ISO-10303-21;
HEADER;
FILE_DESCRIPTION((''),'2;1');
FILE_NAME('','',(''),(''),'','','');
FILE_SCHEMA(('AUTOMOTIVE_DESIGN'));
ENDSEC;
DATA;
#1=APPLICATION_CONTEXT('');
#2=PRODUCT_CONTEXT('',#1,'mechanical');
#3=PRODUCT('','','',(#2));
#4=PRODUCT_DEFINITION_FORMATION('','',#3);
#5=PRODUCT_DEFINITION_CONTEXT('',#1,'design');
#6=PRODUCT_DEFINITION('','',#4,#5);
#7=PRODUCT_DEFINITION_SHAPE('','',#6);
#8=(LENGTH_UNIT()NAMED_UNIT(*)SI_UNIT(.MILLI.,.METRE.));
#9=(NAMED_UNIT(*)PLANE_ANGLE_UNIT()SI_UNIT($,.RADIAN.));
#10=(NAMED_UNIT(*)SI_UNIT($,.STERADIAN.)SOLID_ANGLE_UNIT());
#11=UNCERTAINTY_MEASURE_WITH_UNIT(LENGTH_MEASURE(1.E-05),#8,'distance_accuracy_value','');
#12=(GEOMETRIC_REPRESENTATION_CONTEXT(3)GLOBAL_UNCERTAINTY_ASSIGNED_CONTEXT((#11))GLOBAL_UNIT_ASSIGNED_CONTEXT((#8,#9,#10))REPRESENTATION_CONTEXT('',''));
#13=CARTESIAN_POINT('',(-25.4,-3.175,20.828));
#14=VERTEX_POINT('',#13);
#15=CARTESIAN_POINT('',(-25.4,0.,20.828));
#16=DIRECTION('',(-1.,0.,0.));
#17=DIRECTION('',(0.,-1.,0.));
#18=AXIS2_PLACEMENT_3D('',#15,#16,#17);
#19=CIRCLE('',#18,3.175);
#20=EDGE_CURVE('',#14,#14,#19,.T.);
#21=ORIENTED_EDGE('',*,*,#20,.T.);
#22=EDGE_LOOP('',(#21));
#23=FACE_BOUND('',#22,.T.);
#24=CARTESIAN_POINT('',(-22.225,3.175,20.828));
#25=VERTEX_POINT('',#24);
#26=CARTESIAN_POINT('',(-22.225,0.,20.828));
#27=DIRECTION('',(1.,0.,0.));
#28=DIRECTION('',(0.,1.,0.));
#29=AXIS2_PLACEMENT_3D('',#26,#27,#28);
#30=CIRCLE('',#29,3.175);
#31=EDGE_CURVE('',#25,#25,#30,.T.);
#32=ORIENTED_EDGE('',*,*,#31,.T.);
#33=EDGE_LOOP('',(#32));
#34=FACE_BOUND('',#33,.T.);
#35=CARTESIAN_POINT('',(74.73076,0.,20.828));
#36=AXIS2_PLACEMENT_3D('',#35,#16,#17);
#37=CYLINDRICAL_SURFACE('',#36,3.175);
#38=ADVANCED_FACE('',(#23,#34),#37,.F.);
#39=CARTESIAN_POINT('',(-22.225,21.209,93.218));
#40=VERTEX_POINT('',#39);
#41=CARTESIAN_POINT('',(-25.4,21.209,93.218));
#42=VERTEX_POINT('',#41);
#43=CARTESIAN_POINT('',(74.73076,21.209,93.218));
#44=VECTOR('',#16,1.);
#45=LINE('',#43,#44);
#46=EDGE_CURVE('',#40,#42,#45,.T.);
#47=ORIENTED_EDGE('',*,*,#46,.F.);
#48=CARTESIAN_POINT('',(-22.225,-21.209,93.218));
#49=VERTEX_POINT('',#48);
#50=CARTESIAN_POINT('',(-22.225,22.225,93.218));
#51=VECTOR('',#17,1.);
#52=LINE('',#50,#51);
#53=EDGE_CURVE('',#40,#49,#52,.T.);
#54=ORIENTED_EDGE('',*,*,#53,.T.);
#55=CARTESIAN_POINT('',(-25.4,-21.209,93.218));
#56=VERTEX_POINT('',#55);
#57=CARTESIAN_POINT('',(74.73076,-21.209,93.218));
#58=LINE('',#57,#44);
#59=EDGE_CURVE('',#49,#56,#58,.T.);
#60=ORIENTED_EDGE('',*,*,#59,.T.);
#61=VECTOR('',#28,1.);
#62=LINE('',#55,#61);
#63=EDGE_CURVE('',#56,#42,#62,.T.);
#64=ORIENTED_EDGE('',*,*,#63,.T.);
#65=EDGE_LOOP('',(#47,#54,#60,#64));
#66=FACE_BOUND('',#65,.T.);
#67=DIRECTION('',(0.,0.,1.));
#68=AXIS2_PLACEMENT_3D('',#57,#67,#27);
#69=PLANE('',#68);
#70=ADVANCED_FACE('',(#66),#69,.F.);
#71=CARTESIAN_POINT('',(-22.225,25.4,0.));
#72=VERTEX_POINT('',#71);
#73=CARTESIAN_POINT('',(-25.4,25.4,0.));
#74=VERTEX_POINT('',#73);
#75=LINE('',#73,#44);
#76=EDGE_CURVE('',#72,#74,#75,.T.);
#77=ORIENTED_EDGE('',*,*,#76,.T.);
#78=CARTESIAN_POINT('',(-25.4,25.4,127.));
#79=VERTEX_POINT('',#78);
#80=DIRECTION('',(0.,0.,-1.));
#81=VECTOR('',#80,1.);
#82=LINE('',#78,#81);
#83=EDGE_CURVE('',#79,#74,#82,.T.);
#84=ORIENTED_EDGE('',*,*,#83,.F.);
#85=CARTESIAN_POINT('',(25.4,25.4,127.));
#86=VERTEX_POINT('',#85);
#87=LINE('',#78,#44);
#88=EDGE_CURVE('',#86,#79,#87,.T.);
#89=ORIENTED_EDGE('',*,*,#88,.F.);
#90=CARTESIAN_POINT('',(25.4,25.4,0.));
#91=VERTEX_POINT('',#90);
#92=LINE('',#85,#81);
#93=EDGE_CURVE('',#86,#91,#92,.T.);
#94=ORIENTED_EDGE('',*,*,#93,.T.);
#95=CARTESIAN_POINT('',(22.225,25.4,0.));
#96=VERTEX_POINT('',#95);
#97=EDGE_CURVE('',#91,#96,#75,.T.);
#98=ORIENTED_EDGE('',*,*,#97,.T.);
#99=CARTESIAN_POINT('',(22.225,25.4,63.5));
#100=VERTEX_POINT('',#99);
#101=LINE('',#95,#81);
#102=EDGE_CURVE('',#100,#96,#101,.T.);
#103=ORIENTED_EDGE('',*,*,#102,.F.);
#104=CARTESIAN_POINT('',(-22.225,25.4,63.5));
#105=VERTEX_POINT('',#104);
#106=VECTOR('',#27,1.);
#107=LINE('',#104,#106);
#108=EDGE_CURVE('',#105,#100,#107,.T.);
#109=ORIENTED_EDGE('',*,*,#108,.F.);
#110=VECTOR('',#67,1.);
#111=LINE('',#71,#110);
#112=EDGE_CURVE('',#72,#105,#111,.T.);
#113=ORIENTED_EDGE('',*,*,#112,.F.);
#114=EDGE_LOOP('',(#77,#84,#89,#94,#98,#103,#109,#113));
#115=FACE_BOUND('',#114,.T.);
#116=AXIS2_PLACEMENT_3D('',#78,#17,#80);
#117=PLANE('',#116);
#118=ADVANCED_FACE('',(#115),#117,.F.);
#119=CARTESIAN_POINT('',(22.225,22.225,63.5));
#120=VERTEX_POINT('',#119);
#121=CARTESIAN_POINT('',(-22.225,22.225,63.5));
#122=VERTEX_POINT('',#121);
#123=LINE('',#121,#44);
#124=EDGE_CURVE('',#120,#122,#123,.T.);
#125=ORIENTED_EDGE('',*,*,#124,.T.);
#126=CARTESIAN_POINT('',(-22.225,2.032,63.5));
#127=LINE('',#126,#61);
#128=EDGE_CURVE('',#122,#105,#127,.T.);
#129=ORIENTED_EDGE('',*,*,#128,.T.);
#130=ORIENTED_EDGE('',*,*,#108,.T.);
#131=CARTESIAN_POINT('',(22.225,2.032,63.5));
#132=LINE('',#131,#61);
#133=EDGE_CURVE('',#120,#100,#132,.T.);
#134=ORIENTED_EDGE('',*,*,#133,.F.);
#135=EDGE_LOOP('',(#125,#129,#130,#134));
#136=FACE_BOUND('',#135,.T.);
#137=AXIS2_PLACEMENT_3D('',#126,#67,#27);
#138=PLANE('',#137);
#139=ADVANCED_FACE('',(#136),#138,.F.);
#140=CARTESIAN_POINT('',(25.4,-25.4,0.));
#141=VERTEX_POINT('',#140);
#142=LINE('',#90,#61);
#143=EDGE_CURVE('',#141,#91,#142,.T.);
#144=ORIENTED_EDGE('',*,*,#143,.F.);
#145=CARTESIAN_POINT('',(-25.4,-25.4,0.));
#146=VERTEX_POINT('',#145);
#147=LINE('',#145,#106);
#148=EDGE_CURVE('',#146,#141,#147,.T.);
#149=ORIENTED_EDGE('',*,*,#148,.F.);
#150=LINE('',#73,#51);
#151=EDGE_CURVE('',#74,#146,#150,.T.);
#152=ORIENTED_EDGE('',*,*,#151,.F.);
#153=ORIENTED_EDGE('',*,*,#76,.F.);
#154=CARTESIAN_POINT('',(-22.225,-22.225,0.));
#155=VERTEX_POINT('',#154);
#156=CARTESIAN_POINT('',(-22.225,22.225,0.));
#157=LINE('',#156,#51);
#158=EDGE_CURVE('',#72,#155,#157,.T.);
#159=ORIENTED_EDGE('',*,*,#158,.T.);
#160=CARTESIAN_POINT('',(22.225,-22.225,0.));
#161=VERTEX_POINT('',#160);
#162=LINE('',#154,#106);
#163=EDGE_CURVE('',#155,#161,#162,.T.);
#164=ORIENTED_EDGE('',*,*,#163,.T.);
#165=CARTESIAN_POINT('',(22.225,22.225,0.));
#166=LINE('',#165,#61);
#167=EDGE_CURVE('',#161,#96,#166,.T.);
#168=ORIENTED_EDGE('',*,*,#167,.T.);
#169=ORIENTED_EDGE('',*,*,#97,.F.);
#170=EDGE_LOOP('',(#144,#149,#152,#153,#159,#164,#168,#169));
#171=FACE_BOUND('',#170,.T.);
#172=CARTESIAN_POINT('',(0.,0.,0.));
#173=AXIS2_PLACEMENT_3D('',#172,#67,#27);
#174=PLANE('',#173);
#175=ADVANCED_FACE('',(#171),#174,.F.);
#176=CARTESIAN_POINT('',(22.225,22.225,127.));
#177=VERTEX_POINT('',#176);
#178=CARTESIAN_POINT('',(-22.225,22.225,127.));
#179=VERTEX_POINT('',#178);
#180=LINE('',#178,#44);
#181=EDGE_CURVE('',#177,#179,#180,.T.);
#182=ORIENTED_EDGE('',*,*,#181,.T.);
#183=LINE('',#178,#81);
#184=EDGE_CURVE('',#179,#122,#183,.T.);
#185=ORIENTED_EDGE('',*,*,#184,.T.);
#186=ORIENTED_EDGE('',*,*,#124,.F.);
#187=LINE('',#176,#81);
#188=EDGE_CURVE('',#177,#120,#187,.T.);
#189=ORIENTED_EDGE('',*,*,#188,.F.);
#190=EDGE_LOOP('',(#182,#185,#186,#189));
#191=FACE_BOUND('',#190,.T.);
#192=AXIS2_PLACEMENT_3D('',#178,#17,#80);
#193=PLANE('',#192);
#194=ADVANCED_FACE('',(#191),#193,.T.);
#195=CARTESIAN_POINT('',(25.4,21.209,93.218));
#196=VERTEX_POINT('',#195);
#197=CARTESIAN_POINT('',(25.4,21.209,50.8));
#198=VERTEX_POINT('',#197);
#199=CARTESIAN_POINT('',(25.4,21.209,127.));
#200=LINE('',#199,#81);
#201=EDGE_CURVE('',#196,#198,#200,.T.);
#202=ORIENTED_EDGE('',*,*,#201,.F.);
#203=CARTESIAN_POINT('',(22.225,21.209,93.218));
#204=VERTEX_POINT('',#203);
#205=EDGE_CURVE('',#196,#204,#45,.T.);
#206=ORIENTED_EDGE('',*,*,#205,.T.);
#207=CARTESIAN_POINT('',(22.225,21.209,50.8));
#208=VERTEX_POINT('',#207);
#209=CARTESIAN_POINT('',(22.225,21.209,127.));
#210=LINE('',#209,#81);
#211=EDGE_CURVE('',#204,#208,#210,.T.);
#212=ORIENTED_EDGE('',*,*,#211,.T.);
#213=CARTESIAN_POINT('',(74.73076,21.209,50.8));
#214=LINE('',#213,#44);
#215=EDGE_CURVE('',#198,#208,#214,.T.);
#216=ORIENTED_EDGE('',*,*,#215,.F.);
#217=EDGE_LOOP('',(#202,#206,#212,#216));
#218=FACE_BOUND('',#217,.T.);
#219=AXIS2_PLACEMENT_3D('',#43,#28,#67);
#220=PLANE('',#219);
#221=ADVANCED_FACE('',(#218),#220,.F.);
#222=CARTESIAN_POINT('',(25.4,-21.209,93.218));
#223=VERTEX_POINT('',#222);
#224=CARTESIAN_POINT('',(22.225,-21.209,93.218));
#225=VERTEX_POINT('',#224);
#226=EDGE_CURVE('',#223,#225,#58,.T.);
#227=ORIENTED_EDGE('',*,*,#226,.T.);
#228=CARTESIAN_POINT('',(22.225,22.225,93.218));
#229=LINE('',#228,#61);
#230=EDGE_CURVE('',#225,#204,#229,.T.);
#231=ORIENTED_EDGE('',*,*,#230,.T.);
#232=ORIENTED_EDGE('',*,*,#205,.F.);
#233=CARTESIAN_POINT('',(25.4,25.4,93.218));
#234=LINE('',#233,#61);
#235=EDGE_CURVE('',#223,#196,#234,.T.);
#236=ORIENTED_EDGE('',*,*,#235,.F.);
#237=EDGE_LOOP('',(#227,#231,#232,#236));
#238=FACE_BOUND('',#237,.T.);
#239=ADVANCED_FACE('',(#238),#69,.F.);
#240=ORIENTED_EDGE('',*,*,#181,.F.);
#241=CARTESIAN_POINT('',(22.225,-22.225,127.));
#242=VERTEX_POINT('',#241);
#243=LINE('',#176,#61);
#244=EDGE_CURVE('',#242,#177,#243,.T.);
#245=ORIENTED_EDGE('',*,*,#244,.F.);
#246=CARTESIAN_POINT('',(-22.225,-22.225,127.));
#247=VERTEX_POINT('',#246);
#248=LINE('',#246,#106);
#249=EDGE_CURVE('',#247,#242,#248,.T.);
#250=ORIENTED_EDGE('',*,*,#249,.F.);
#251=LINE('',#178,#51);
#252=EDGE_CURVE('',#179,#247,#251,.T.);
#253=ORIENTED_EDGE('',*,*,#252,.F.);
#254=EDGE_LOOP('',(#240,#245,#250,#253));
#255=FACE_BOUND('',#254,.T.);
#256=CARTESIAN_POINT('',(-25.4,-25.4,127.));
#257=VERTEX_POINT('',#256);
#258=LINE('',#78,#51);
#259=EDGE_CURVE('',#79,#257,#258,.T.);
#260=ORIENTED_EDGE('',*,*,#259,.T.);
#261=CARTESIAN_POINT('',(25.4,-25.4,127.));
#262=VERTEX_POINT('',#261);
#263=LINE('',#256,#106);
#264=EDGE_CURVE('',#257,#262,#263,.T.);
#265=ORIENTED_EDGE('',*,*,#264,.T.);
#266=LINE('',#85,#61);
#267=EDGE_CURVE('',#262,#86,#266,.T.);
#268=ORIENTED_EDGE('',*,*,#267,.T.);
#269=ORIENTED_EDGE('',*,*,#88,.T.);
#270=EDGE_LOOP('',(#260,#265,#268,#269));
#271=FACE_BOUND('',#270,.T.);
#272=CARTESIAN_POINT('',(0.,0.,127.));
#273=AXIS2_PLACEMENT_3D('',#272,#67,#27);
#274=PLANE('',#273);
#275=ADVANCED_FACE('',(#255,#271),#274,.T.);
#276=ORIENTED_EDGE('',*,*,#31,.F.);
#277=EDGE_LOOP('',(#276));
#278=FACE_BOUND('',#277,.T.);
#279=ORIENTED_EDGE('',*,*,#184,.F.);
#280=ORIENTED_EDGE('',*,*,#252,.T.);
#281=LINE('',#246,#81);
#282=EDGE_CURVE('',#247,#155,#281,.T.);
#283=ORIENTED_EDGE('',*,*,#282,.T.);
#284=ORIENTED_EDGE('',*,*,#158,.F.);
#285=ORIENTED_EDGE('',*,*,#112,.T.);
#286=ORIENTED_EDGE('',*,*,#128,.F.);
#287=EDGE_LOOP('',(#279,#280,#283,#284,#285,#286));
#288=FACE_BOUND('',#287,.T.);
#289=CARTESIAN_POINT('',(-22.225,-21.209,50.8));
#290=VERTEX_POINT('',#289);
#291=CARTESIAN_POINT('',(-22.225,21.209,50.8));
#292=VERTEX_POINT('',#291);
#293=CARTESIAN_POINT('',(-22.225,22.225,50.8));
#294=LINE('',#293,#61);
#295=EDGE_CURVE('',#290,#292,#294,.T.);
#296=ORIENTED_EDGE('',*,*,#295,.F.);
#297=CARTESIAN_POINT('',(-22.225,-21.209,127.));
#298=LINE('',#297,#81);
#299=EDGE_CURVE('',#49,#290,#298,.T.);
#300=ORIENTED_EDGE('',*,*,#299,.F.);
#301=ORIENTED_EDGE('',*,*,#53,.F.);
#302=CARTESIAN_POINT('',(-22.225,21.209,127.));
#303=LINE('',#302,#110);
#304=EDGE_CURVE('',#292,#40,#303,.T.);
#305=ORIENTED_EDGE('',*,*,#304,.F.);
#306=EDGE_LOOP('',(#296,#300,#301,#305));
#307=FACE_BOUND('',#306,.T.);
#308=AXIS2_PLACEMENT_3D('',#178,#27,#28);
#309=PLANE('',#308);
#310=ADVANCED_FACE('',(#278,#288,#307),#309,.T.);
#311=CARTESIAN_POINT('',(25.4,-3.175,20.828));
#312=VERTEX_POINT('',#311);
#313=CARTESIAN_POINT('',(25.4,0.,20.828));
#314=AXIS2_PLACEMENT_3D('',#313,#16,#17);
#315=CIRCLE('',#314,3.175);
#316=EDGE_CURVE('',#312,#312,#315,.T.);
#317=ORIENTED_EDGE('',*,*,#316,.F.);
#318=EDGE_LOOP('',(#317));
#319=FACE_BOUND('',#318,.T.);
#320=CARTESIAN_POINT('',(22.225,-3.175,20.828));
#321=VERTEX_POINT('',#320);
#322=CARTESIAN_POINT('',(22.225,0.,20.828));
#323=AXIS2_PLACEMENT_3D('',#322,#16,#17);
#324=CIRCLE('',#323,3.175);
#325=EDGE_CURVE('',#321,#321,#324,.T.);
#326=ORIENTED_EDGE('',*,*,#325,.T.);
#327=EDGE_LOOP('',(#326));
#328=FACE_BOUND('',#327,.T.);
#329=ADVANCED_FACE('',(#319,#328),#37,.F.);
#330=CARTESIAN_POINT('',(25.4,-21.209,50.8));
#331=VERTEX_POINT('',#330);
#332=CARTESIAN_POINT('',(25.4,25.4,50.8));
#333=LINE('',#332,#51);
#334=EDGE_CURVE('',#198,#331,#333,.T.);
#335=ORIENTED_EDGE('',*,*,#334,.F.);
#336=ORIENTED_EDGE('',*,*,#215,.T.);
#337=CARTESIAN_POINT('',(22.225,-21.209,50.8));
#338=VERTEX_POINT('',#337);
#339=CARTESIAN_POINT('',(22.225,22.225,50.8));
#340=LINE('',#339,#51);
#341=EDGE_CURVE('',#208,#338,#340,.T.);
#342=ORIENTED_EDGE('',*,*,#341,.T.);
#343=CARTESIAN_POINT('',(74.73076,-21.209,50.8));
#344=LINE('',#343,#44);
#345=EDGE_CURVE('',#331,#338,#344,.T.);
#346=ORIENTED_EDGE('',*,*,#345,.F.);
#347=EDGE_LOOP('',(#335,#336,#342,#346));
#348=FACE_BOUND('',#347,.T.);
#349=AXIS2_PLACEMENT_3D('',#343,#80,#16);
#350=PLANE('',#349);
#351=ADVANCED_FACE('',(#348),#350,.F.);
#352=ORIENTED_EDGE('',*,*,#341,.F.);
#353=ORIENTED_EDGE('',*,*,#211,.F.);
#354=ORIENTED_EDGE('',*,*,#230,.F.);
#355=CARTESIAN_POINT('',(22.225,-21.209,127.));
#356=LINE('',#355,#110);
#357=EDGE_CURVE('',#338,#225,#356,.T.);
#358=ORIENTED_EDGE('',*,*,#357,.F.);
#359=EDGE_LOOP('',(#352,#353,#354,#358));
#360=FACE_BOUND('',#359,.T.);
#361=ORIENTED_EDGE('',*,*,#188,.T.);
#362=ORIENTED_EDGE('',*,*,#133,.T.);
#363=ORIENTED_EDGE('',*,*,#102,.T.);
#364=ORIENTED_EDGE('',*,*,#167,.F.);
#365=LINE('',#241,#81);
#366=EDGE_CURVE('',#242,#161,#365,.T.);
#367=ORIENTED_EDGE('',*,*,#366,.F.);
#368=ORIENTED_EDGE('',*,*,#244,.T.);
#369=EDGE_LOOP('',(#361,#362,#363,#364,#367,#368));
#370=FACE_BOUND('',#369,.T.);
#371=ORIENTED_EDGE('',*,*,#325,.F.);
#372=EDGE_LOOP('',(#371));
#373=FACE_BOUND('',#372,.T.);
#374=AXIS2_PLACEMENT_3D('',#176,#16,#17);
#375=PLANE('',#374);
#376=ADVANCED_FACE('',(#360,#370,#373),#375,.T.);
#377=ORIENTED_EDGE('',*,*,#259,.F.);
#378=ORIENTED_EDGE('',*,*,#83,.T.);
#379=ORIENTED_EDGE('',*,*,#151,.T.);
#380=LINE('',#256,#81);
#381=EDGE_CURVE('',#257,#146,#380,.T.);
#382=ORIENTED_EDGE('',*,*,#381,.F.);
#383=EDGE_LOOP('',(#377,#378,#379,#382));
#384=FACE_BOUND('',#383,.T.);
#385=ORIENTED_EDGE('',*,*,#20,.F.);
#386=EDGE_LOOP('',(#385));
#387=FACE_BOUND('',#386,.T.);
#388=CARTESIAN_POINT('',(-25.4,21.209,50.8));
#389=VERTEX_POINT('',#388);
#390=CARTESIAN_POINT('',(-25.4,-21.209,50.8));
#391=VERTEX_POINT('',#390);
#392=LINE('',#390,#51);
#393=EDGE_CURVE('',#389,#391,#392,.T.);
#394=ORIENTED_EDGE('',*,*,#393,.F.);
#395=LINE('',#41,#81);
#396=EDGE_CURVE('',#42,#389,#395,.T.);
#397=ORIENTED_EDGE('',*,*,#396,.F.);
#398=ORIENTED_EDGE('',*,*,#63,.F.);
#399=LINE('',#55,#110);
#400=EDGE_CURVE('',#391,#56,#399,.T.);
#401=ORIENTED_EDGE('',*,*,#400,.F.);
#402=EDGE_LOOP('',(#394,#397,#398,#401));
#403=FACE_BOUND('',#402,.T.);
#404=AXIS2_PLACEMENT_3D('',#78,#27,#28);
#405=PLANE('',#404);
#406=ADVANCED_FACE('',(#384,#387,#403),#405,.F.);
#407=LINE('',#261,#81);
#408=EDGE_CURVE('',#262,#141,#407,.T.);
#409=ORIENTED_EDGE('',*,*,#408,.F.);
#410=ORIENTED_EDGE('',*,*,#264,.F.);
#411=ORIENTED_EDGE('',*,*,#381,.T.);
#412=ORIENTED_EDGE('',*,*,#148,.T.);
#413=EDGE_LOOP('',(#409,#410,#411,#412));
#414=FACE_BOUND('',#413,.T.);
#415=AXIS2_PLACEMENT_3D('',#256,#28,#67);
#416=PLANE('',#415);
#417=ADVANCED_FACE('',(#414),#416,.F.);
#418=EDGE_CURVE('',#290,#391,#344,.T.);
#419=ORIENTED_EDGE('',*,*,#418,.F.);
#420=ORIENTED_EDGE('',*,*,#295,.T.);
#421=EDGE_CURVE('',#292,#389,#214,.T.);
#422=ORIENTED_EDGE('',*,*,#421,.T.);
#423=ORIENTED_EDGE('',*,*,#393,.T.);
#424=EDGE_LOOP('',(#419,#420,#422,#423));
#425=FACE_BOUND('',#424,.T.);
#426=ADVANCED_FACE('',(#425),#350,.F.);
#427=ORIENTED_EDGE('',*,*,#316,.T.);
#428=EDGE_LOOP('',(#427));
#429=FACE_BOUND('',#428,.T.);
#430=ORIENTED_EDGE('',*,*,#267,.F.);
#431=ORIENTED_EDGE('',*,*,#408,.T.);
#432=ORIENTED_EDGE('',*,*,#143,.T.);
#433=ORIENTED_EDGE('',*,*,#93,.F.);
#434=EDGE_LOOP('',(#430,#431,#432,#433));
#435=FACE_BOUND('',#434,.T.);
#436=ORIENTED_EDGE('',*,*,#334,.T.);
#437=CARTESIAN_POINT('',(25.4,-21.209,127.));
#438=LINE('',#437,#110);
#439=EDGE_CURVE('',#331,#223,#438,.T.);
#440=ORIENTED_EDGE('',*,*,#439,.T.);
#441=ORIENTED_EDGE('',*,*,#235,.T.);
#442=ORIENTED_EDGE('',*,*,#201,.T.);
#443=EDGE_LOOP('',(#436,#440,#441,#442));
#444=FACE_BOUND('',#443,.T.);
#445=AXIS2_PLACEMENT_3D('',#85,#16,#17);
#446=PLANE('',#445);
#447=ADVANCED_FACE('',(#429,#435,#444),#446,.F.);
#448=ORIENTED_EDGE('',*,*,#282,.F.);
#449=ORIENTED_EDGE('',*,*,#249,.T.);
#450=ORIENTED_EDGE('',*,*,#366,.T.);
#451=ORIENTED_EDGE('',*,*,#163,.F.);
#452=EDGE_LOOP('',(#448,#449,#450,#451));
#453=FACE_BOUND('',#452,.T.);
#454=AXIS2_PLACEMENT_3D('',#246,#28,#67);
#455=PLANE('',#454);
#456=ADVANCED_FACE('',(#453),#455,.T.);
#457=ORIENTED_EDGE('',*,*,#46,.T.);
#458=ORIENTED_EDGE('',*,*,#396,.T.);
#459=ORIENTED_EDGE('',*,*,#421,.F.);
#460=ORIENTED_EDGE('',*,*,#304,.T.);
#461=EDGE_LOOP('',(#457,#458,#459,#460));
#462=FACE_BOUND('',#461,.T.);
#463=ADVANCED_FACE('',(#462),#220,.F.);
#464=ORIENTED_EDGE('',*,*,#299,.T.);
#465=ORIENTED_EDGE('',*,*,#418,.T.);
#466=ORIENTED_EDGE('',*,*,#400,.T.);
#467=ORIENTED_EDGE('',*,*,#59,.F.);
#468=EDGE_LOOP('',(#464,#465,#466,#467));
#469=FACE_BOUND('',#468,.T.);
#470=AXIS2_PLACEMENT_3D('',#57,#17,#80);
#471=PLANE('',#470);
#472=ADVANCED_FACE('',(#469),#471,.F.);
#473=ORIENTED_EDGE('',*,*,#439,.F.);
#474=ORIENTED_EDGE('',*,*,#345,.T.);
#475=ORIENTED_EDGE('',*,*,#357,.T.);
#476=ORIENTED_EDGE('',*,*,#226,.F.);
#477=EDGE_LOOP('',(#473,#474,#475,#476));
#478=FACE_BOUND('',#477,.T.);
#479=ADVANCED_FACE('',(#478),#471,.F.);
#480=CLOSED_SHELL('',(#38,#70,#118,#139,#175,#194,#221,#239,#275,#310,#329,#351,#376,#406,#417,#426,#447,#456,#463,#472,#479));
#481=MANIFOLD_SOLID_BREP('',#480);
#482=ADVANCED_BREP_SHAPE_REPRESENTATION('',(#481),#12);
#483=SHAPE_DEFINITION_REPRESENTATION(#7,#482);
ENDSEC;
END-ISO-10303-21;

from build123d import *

# Parameters (mm, degrees)
SKETCH2_W           = 50.8
SKETCH2_H           = 50.8
SKETCH2_W_2         = 44.45
SKETCH2_H_2         = 44.45
BOSS_EXTRUDE1_DEPTH = 127
SKETCH4_W           = 44.45
SKETCH4_H           = 63.5
CUT_EXTRUDE1_DEPTH  = 23.368
SKETCH5_R           = 3.175
SKETCH5_W           = 42.418
SKETCH5_H           = 42.418
CUT_EXTRUDE2_DEPTH  = 100.130759523


with BuildPart() as part:
    # Sketch2 → Boss-Extrude1 (new body)
    with BuildSketch(Plane.XY):
        Rectangle(SKETCH2_W, SKETCH2_H)
        Rectangle(SKETCH2_W_2, SKETCH2_H_2, mode=Mode.SUBTRACT)
    extrude(amount=BOSS_EXTRUDE1_DEPTH)

    # Sketch4 → Cut-Extrude1 (cut)
    with BuildSketch(Plane(origin=(0, 25.4, 0), x_dir=(1, 0, 0), z_dir=(0, 1, 0))):
        with Locations((0, -31.75)):
            Rectangle(SKETCH4_W, SKETCH4_H)
    extrude(amount=-CUT_EXTRUDE1_DEPTH, mode=Mode.SUBTRACT)

    # Sketch5 → Cut-Extrude2 (cut)
    with BuildSketch(Plane.ZY.offset(25.4)):
        with Locations(Location((20.828, 0, 0), (0, 0, 270))):
            Circle(SKETCH5_R)
        with Locations((72.009, 0)):
            Rectangle(SKETCH5_W, SKETCH5_H)
    extrude(amount=-CUT_EXTRUDE2_DEPTH, mode=Mode.SUBTRACT)


solid = part.part
